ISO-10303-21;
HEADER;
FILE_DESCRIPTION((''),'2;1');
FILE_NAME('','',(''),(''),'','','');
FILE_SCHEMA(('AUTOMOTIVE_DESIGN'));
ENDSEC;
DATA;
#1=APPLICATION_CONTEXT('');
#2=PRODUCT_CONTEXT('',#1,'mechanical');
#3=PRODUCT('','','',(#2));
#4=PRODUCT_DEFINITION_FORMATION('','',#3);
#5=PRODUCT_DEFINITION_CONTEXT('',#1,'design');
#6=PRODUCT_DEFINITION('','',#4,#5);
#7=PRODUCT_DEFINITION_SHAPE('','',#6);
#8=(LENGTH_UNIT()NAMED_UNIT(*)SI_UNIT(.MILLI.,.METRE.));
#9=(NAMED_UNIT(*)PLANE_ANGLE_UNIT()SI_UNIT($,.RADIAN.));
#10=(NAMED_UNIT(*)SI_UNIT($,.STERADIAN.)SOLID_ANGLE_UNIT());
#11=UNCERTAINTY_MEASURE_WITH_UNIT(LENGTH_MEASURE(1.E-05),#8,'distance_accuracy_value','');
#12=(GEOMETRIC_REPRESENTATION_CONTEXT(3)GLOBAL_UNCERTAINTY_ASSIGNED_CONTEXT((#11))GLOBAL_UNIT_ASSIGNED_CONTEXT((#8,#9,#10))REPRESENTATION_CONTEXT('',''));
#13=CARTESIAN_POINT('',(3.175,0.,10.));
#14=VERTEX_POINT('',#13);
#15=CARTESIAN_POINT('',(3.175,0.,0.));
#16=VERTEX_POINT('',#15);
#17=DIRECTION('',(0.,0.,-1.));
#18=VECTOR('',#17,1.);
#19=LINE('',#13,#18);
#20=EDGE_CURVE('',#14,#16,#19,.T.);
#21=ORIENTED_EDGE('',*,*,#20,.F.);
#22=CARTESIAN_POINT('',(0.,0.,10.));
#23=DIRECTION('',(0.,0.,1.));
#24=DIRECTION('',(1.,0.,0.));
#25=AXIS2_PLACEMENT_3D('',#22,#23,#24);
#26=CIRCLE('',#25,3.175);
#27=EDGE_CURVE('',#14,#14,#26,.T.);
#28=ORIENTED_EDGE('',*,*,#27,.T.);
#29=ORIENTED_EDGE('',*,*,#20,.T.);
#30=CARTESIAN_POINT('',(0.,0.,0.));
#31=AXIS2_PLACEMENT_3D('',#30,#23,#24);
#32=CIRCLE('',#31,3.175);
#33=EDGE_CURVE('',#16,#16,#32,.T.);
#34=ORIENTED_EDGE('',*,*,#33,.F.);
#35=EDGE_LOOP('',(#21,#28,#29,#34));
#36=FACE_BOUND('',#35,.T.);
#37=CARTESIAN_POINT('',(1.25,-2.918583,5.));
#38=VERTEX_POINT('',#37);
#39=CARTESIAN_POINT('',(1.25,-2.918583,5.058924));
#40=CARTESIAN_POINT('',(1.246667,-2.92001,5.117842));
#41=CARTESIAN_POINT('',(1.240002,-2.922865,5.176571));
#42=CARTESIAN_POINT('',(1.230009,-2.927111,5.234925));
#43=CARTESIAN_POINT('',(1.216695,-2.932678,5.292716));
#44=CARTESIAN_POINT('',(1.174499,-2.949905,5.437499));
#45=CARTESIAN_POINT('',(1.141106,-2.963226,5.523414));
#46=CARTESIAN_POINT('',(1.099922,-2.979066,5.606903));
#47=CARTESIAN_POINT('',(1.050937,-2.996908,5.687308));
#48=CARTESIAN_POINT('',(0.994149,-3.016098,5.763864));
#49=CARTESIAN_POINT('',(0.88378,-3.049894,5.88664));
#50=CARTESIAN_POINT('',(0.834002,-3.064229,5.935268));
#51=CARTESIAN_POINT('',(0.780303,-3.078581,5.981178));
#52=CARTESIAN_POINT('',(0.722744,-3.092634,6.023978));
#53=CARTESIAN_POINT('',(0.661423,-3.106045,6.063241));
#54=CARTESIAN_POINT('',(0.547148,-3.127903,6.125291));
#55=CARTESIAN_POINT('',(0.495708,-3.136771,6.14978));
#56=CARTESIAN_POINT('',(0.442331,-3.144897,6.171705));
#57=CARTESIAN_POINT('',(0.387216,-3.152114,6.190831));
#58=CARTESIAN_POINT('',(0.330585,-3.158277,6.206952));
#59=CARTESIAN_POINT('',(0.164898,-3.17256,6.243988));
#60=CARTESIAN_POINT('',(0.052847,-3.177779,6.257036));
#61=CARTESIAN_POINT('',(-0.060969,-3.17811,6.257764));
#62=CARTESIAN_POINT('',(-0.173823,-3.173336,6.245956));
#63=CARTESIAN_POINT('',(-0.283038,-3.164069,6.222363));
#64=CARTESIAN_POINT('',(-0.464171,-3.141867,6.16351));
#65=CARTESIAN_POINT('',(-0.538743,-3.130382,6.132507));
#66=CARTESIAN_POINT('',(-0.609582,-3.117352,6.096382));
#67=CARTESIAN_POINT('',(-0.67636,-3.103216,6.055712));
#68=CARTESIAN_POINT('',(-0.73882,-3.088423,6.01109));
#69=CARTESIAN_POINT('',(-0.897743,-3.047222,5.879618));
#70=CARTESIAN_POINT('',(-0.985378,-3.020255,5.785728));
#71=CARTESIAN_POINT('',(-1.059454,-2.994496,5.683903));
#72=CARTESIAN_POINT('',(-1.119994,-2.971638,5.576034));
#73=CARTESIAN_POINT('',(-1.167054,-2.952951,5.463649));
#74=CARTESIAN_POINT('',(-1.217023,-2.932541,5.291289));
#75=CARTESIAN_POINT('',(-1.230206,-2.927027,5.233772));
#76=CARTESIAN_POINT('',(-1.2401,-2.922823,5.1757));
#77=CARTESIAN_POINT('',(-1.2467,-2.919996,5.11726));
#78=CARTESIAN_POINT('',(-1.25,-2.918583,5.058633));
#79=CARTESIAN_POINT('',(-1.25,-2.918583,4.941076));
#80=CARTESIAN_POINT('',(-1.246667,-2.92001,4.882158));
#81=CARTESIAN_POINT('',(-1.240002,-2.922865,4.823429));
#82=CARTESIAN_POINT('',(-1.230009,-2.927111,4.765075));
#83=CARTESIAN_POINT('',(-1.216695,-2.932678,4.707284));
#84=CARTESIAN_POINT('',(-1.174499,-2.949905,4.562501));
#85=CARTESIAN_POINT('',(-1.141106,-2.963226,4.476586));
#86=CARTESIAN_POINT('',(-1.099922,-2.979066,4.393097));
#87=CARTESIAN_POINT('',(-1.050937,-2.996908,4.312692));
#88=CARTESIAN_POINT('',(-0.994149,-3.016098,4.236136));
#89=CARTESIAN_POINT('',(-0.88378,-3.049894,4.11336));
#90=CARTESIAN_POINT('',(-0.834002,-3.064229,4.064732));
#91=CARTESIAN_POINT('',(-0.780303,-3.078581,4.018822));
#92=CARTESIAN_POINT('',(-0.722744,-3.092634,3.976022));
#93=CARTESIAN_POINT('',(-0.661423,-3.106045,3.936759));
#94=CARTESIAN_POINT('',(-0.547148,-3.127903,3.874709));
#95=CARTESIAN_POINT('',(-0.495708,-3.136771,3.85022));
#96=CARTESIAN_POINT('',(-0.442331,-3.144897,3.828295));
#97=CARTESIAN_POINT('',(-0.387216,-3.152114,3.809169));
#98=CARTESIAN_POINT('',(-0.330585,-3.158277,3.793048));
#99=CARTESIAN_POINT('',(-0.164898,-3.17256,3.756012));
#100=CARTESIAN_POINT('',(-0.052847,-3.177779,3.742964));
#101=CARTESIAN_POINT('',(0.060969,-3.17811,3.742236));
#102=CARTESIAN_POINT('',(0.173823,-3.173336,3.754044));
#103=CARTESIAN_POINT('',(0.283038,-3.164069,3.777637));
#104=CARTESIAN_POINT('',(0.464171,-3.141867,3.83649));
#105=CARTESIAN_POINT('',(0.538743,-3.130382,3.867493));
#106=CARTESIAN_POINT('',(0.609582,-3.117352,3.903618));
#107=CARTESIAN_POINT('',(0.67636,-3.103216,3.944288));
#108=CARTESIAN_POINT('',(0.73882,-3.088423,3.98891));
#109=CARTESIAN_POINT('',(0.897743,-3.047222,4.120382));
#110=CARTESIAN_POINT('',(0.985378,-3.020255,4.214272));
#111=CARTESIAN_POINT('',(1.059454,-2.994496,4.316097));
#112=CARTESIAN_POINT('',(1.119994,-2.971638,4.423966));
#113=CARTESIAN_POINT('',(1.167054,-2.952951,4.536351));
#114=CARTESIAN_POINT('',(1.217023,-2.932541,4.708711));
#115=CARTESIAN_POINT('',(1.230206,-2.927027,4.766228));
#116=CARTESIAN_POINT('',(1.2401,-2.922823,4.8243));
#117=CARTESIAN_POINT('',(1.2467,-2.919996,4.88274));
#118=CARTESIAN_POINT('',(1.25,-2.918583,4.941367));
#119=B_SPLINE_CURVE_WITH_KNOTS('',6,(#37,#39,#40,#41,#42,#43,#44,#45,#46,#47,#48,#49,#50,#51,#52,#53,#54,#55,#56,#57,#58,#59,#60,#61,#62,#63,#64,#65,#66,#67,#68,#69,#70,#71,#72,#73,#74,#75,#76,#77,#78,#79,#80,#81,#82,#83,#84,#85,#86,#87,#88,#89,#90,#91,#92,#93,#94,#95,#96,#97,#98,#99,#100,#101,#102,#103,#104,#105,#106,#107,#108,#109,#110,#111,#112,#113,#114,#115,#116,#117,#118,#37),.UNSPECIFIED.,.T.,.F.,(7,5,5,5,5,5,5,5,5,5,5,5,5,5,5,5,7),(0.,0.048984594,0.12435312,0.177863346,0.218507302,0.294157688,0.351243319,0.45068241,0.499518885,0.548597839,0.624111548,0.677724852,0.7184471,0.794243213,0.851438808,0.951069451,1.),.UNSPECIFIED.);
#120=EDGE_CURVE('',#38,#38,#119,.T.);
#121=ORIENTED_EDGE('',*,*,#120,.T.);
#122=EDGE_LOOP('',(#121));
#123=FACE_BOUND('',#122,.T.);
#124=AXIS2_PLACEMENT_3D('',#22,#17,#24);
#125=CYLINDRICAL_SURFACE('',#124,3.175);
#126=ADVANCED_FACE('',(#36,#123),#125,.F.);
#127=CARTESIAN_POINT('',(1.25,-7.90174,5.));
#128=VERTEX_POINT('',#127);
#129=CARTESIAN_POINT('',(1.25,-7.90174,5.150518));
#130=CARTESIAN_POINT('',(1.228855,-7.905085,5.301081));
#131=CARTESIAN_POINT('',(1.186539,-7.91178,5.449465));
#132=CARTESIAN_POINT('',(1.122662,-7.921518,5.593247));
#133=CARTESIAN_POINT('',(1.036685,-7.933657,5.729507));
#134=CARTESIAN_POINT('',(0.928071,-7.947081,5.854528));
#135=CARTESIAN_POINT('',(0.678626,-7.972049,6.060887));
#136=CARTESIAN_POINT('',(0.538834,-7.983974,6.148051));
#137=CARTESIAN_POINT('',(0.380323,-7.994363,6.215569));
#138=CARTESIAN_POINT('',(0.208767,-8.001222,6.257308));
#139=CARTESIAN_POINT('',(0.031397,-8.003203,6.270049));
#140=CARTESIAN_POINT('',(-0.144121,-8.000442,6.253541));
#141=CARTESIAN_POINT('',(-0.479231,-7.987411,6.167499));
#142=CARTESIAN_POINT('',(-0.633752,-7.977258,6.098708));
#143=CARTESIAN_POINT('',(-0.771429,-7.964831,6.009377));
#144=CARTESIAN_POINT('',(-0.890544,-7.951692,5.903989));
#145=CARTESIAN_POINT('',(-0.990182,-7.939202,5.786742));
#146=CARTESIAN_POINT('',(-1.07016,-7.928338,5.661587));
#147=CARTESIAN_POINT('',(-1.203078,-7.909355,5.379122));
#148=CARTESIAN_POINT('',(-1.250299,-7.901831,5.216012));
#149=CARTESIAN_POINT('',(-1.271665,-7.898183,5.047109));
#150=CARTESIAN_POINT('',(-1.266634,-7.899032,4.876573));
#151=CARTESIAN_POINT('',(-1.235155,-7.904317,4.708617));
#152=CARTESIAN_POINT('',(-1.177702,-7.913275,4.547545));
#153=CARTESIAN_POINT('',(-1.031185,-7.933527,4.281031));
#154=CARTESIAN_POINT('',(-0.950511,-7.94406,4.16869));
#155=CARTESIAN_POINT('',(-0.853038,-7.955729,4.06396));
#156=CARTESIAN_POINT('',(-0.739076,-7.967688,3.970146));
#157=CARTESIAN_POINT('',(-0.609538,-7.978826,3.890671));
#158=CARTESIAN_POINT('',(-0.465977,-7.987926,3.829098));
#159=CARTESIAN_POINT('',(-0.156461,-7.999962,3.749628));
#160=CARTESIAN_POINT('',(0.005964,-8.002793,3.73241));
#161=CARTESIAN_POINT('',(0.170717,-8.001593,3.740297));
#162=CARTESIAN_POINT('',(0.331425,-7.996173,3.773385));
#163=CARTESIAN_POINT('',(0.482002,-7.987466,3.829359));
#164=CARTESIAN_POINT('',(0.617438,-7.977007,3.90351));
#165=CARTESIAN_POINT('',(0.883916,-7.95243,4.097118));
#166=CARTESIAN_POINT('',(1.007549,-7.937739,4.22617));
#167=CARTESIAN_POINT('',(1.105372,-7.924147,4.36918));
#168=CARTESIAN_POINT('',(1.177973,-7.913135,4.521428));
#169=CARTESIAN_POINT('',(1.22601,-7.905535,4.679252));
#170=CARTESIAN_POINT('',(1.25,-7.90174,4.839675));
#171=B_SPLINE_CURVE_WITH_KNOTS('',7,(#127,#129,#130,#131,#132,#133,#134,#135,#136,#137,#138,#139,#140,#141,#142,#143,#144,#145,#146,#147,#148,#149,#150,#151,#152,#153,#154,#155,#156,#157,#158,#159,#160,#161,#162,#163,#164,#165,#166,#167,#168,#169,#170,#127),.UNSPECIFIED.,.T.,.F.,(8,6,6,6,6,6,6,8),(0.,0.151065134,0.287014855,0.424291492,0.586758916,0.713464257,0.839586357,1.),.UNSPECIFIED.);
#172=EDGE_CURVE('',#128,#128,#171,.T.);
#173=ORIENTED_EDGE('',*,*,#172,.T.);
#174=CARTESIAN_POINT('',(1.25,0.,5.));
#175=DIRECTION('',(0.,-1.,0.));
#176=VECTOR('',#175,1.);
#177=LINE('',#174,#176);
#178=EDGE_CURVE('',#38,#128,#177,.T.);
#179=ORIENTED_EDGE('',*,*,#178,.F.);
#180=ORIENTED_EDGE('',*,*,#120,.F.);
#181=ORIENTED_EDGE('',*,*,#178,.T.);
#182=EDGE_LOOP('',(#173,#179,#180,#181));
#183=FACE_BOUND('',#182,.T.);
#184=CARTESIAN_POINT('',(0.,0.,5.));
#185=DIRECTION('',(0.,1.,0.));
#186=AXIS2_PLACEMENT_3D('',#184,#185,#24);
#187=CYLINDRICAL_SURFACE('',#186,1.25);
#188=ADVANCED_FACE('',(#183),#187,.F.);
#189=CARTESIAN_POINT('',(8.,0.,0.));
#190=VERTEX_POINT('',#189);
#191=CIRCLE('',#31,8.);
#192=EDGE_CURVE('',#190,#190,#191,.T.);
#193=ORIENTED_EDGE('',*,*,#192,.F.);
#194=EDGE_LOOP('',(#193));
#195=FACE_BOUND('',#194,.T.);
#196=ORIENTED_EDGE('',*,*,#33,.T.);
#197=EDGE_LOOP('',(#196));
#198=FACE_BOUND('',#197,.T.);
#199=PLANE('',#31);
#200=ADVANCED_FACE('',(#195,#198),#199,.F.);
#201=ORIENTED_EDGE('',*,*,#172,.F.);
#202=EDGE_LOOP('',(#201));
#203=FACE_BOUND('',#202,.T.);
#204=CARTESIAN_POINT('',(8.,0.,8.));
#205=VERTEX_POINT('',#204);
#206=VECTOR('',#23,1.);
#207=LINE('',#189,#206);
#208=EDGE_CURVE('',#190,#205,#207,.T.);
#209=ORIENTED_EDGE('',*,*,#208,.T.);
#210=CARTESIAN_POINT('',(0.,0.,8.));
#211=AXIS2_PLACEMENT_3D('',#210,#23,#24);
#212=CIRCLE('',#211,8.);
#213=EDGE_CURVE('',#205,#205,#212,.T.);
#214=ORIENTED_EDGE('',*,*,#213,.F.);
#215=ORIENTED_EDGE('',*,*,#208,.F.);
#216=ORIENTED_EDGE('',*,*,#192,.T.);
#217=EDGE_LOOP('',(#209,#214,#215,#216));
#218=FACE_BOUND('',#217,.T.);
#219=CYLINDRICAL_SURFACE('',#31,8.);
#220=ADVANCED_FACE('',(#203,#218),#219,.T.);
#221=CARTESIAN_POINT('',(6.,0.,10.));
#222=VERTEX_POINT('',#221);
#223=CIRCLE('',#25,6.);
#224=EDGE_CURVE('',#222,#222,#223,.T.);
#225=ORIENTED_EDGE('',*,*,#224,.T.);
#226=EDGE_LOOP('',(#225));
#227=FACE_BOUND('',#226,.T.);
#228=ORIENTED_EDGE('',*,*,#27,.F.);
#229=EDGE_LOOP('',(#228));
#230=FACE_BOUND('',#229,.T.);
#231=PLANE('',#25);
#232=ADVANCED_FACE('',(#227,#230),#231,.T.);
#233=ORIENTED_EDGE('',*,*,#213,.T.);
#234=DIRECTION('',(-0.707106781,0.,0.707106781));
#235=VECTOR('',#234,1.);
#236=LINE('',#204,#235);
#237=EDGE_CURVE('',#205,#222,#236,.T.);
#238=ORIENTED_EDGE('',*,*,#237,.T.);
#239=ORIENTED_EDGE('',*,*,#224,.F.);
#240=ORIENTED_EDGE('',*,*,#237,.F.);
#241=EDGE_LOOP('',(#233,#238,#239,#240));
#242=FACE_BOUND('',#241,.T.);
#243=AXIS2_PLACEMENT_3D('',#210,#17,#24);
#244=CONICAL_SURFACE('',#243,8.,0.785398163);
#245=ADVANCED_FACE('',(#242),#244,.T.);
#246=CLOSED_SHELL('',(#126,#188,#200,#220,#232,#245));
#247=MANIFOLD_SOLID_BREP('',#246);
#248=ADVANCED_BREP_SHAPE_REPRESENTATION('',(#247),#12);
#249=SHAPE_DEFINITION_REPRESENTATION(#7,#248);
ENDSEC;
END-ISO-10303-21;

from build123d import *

# Parameters (mm, degrees)
F2_R     = 1.25
F3_DEPTH = 25


with BuildPart() as f1:
    # F0 (on Front) → F1 (revolve)
    with BuildSketch(Plane.XZ):
        Polygon((3.175, 10), (3.175, 0), (8, 0), (8, 3.585786), (8, 8), (6, 10), (5.175, 10), align=None)
    revolve(axis=Axis((0, 0, 7.164844), (0, 0, 1)))

    # F2 (on Front) → F3 (cut)
    with BuildSketch(Plane.XZ):
        with Locations((0, 5)):
            Circle(F2_R)
    extrude(amount=F3_DEPTH, mode=Mode.SUBTRACT)


solid = f1.part
